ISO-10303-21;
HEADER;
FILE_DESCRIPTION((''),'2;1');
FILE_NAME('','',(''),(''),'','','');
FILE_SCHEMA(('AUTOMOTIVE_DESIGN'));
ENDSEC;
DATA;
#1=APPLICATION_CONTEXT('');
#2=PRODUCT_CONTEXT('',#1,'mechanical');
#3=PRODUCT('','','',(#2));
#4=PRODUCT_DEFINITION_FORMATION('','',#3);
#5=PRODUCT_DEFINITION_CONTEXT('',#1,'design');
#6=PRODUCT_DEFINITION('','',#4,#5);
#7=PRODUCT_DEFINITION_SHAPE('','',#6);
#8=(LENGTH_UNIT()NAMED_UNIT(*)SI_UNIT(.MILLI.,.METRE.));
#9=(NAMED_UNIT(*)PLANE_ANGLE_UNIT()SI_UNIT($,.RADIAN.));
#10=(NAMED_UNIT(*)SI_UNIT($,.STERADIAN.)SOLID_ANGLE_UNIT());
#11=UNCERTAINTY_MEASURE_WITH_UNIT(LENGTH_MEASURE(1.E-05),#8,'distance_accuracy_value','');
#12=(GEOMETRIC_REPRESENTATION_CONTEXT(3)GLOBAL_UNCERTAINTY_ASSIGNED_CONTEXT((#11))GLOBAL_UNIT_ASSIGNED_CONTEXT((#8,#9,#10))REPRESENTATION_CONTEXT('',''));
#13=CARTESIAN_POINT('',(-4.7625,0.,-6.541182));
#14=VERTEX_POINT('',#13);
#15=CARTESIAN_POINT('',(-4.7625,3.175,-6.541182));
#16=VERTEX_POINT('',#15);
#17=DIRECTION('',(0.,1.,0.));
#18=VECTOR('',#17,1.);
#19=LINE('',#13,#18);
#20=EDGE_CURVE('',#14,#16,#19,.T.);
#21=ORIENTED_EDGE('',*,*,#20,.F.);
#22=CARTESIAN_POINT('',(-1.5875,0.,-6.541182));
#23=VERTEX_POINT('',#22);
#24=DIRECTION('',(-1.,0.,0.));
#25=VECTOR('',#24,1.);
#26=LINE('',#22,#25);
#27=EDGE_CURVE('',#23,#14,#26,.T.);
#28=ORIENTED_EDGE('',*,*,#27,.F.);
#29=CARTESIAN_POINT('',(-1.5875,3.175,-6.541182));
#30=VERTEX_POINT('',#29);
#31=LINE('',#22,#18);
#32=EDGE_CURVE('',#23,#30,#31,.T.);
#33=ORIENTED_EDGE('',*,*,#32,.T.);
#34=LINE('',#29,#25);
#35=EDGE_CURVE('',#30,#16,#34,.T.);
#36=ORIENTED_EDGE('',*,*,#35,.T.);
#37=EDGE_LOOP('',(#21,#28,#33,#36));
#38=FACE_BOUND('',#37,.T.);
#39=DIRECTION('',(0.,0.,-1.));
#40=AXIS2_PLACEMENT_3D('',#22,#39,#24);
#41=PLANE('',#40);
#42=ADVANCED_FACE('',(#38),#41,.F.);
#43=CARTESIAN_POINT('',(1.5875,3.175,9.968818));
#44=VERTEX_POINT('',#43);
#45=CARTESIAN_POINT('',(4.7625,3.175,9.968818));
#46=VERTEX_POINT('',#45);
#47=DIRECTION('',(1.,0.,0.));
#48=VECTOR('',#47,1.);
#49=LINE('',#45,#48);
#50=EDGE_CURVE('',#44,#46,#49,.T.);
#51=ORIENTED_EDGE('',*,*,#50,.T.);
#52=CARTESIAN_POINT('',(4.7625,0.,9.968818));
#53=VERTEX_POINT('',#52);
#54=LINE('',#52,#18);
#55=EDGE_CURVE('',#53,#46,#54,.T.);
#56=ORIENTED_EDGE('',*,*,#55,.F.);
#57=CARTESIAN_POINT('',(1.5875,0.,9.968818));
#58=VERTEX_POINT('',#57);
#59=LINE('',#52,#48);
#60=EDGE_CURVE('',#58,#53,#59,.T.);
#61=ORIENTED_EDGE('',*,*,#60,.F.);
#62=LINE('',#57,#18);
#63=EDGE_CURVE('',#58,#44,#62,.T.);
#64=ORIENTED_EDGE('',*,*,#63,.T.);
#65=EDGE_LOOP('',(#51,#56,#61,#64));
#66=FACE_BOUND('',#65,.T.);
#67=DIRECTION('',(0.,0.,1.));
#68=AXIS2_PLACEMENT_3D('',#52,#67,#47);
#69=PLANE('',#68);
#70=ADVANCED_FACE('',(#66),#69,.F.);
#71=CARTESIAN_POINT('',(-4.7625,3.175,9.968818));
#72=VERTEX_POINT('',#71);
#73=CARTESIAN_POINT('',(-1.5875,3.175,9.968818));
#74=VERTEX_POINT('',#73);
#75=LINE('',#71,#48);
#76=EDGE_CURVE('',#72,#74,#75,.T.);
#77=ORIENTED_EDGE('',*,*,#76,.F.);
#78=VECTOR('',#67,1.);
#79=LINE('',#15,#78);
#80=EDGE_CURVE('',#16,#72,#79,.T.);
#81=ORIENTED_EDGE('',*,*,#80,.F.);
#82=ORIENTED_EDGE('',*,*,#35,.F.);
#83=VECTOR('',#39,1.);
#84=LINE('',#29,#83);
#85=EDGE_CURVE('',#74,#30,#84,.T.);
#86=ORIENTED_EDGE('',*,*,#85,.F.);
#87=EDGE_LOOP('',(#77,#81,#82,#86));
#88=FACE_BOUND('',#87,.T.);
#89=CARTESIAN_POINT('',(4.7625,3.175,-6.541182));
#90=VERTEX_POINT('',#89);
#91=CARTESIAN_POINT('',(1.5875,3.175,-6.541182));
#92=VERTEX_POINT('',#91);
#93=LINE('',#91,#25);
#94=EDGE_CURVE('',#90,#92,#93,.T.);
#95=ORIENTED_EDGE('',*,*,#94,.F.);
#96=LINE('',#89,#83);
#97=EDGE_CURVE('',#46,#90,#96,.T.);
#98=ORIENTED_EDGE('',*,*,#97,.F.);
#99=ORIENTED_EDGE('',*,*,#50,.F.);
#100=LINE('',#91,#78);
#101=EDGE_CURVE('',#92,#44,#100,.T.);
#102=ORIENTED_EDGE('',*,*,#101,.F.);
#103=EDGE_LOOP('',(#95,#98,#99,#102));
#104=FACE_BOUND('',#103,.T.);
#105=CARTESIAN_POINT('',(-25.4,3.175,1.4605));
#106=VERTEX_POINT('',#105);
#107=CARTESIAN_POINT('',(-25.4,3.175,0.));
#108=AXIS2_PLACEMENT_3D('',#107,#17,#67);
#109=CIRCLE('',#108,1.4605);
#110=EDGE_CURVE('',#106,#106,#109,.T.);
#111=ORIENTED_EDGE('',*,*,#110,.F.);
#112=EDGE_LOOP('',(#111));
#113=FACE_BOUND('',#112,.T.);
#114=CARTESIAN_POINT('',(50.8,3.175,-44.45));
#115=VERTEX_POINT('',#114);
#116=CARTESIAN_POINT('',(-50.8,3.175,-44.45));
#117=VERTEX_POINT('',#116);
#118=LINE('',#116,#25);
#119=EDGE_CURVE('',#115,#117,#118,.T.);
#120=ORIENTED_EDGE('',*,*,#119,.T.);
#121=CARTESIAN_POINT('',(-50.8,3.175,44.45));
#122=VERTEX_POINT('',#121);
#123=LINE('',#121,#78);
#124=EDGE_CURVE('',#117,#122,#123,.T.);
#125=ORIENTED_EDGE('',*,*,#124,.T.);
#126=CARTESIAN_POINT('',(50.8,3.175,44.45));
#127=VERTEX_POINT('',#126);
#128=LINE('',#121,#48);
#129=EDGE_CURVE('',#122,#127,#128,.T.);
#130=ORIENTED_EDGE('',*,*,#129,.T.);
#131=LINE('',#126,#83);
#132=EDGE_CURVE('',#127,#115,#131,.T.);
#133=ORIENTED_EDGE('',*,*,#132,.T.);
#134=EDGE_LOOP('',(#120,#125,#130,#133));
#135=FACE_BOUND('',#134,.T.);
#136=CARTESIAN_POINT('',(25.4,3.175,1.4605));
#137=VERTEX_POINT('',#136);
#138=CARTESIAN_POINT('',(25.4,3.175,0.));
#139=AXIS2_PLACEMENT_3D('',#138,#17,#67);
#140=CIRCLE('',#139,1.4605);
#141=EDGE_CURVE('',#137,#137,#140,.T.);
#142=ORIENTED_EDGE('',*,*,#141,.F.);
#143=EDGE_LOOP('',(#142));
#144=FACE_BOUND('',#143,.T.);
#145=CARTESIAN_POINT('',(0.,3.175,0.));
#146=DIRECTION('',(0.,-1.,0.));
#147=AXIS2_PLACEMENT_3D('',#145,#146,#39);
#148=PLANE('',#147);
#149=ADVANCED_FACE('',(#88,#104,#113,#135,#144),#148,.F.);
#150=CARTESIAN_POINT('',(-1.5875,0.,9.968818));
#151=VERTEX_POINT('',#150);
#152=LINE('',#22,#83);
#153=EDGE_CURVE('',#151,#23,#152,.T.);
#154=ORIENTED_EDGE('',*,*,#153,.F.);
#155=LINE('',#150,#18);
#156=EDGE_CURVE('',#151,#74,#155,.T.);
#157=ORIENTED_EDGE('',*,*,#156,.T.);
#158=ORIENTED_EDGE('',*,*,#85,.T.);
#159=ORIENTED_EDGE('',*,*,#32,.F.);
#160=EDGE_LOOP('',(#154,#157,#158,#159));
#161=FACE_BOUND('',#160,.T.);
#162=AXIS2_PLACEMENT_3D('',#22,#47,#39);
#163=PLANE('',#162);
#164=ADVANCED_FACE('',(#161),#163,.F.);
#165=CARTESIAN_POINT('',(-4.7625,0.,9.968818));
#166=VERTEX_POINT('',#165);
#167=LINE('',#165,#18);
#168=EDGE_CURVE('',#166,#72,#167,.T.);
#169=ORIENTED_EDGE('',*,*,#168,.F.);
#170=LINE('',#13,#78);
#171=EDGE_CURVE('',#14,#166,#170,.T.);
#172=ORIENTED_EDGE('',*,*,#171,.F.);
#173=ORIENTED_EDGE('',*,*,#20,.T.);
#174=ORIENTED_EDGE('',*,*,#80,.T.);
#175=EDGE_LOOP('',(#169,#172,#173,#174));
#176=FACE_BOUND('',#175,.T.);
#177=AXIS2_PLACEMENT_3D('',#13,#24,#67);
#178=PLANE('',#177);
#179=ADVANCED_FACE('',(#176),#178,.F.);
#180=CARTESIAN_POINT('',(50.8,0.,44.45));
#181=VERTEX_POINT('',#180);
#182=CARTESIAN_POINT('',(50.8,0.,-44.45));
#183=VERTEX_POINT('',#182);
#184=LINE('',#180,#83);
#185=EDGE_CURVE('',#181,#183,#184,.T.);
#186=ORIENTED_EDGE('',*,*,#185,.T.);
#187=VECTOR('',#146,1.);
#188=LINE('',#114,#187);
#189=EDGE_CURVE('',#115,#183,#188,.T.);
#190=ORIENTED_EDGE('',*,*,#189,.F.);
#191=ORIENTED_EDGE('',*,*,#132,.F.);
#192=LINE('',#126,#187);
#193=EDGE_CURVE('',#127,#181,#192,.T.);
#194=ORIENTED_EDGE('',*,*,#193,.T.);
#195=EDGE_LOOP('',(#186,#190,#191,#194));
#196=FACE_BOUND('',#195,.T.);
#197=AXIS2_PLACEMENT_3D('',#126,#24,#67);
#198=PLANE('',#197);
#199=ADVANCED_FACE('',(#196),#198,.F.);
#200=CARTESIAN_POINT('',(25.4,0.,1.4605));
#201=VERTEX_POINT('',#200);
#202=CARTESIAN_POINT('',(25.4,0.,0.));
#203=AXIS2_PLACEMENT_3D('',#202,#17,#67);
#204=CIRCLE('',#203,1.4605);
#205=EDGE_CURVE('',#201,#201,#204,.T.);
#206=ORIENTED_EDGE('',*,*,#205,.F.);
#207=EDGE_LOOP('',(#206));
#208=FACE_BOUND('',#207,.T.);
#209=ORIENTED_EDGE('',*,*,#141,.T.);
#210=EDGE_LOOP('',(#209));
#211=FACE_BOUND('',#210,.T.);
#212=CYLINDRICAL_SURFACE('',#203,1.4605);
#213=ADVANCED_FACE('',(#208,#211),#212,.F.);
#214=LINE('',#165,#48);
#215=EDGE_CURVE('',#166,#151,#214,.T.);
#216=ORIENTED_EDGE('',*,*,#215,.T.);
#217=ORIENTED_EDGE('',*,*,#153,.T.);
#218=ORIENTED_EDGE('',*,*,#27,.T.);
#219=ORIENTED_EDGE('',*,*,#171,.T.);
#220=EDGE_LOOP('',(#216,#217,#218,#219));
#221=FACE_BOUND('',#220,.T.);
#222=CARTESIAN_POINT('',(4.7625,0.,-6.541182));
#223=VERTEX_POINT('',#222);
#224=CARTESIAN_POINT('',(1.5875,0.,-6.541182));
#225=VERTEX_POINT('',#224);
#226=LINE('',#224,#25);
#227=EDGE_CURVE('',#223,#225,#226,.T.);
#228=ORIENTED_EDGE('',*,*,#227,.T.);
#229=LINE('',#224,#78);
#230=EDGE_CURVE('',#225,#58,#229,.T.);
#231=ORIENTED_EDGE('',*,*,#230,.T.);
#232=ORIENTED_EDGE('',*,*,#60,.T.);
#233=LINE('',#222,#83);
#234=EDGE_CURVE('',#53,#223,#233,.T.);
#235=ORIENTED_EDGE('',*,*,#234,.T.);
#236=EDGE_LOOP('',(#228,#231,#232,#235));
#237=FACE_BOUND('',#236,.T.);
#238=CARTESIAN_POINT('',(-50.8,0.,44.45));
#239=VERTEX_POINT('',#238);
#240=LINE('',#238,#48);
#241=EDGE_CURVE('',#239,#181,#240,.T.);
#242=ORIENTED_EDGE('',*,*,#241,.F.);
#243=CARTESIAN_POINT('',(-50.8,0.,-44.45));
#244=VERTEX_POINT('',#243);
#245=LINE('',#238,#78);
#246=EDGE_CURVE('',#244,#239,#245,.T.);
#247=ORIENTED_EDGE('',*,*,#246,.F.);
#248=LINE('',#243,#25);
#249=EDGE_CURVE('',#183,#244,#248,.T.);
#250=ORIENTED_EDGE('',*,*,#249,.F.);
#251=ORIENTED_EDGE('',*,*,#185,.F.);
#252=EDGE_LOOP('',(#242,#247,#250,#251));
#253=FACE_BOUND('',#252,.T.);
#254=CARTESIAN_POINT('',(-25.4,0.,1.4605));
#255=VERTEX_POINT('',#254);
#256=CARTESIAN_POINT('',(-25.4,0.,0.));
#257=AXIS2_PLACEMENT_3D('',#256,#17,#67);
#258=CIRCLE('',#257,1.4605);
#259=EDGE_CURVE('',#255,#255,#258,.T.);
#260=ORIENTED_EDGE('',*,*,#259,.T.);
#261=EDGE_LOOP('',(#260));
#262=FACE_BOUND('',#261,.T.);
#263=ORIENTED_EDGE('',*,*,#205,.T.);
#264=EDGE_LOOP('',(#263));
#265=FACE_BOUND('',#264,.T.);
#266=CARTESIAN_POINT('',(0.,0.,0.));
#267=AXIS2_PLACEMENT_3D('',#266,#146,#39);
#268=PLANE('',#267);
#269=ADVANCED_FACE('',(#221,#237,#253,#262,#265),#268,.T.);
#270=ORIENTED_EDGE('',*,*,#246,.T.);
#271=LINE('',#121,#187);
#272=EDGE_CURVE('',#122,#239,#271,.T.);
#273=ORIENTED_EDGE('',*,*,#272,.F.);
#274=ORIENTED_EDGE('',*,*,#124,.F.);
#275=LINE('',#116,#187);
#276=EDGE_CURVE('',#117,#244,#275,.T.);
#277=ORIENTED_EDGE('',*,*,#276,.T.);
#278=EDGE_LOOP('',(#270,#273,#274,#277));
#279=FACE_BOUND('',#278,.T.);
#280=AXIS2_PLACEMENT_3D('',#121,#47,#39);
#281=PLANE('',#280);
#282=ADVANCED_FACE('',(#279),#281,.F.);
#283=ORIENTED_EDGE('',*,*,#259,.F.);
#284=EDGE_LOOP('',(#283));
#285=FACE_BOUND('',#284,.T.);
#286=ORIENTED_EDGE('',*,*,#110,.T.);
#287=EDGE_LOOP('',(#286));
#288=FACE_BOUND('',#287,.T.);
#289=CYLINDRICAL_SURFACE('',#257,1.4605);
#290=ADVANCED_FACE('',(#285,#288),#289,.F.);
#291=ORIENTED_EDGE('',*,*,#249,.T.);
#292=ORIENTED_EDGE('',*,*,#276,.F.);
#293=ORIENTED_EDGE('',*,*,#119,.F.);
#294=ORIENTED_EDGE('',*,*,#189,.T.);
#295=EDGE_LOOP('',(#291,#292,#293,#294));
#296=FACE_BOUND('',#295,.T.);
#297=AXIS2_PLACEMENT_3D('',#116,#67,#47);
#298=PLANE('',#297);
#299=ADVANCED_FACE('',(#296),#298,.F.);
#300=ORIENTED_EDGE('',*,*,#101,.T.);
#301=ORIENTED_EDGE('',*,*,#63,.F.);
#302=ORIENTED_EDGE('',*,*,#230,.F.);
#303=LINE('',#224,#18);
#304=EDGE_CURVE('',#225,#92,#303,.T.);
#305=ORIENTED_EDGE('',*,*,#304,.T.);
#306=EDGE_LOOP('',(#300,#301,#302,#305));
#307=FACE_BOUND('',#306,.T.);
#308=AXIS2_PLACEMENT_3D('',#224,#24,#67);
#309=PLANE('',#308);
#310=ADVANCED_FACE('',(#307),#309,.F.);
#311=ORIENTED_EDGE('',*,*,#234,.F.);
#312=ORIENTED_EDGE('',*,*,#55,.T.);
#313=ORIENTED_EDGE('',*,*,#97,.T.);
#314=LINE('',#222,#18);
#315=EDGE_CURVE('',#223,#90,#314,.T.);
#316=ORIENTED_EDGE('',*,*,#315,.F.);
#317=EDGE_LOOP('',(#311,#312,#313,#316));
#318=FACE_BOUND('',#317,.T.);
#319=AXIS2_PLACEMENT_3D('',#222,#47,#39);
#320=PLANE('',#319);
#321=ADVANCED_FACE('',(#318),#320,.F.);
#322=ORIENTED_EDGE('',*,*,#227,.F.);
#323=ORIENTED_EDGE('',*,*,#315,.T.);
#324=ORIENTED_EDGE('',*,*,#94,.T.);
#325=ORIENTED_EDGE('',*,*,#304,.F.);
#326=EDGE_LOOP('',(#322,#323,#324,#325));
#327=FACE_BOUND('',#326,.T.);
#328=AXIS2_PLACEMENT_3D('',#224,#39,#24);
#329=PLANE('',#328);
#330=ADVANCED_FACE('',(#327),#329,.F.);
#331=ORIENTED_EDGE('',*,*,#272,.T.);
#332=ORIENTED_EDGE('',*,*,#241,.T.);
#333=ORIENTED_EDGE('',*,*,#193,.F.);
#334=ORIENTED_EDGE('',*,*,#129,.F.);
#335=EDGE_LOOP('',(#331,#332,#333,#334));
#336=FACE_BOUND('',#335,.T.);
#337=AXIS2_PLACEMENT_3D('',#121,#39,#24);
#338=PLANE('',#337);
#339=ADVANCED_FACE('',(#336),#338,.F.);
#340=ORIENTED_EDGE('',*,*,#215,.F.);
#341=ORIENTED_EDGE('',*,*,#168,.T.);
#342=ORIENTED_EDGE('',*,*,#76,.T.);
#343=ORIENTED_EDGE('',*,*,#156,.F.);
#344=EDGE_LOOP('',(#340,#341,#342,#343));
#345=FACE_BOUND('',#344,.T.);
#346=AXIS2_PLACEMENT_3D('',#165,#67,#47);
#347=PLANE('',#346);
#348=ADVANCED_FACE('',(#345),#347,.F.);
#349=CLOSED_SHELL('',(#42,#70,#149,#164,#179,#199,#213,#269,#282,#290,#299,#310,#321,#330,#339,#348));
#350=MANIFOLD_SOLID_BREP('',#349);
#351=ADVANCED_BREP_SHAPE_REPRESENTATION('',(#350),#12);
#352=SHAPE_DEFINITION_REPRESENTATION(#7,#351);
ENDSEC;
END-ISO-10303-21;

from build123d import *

# Parameters (mm, degrees)
SKETCH2_W           = 101.6
SKETCH2_H           = 88.9
BOSS_EXTRUDE1_DEPTH = 3.175
SKETCH3_R           = 1.4605
CUT_EXTRUDE1_DEPTH  = 68.576054376
SKETCH5_W           = 3.175
SKETCH5_H           = 16.51
CUT_EXTRUDE2_DEPTH  = 68.576054376


with BuildPart() as part:
    # Sketch2 → Boss-Extrude1 (new body)
    with BuildSketch(Plane(origin=(0, 0, 0), x_dir=(1, 0, 0), z_dir=(0, 1, 0))):
        Rectangle(SKETCH2_W, SKETCH2_H)
    extrude(amount=BOSS_EXTRUDE1_DEPTH)

    # Sketch3 → Cut-Extrude1 (cut, through all)
    with BuildSketch(Plane(origin=(0, 3.175, 0), x_dir=(1, 0, 0), z_dir=(0, 1, 0))):
        with Locations(Location((-25.4, 0, 0), (0, 0, 270))):
            Circle(SKETCH3_R)
        with Locations(Location((25.4, 0, 0), (0, 0, 270))):
            Circle(SKETCH3_R)
    extrude(amount=-CUT_EXTRUDE1_DEPTH, mode=Mode.SUBTRACT)

    # Sketch5 → Cut-Extrude2 (cut, through all)
    with BuildSketch(Plane(origin=(0, 3.175, 0), x_dir=(1, 0, 0), z_dir=(0, 1, 0))):
        with Locations((-3.175, -1.713817512)):
            Rectangle(SKETCH5_W, SKETCH5_H)
        with Locations((3.175, -1.713817512)):
            Rectangle(SKETCH5_W, SKETCH5_H)
    extrude(amount=-CUT_EXTRUDE2_DEPTH, mode=Mode.SUBTRACT)


solid = part.part
